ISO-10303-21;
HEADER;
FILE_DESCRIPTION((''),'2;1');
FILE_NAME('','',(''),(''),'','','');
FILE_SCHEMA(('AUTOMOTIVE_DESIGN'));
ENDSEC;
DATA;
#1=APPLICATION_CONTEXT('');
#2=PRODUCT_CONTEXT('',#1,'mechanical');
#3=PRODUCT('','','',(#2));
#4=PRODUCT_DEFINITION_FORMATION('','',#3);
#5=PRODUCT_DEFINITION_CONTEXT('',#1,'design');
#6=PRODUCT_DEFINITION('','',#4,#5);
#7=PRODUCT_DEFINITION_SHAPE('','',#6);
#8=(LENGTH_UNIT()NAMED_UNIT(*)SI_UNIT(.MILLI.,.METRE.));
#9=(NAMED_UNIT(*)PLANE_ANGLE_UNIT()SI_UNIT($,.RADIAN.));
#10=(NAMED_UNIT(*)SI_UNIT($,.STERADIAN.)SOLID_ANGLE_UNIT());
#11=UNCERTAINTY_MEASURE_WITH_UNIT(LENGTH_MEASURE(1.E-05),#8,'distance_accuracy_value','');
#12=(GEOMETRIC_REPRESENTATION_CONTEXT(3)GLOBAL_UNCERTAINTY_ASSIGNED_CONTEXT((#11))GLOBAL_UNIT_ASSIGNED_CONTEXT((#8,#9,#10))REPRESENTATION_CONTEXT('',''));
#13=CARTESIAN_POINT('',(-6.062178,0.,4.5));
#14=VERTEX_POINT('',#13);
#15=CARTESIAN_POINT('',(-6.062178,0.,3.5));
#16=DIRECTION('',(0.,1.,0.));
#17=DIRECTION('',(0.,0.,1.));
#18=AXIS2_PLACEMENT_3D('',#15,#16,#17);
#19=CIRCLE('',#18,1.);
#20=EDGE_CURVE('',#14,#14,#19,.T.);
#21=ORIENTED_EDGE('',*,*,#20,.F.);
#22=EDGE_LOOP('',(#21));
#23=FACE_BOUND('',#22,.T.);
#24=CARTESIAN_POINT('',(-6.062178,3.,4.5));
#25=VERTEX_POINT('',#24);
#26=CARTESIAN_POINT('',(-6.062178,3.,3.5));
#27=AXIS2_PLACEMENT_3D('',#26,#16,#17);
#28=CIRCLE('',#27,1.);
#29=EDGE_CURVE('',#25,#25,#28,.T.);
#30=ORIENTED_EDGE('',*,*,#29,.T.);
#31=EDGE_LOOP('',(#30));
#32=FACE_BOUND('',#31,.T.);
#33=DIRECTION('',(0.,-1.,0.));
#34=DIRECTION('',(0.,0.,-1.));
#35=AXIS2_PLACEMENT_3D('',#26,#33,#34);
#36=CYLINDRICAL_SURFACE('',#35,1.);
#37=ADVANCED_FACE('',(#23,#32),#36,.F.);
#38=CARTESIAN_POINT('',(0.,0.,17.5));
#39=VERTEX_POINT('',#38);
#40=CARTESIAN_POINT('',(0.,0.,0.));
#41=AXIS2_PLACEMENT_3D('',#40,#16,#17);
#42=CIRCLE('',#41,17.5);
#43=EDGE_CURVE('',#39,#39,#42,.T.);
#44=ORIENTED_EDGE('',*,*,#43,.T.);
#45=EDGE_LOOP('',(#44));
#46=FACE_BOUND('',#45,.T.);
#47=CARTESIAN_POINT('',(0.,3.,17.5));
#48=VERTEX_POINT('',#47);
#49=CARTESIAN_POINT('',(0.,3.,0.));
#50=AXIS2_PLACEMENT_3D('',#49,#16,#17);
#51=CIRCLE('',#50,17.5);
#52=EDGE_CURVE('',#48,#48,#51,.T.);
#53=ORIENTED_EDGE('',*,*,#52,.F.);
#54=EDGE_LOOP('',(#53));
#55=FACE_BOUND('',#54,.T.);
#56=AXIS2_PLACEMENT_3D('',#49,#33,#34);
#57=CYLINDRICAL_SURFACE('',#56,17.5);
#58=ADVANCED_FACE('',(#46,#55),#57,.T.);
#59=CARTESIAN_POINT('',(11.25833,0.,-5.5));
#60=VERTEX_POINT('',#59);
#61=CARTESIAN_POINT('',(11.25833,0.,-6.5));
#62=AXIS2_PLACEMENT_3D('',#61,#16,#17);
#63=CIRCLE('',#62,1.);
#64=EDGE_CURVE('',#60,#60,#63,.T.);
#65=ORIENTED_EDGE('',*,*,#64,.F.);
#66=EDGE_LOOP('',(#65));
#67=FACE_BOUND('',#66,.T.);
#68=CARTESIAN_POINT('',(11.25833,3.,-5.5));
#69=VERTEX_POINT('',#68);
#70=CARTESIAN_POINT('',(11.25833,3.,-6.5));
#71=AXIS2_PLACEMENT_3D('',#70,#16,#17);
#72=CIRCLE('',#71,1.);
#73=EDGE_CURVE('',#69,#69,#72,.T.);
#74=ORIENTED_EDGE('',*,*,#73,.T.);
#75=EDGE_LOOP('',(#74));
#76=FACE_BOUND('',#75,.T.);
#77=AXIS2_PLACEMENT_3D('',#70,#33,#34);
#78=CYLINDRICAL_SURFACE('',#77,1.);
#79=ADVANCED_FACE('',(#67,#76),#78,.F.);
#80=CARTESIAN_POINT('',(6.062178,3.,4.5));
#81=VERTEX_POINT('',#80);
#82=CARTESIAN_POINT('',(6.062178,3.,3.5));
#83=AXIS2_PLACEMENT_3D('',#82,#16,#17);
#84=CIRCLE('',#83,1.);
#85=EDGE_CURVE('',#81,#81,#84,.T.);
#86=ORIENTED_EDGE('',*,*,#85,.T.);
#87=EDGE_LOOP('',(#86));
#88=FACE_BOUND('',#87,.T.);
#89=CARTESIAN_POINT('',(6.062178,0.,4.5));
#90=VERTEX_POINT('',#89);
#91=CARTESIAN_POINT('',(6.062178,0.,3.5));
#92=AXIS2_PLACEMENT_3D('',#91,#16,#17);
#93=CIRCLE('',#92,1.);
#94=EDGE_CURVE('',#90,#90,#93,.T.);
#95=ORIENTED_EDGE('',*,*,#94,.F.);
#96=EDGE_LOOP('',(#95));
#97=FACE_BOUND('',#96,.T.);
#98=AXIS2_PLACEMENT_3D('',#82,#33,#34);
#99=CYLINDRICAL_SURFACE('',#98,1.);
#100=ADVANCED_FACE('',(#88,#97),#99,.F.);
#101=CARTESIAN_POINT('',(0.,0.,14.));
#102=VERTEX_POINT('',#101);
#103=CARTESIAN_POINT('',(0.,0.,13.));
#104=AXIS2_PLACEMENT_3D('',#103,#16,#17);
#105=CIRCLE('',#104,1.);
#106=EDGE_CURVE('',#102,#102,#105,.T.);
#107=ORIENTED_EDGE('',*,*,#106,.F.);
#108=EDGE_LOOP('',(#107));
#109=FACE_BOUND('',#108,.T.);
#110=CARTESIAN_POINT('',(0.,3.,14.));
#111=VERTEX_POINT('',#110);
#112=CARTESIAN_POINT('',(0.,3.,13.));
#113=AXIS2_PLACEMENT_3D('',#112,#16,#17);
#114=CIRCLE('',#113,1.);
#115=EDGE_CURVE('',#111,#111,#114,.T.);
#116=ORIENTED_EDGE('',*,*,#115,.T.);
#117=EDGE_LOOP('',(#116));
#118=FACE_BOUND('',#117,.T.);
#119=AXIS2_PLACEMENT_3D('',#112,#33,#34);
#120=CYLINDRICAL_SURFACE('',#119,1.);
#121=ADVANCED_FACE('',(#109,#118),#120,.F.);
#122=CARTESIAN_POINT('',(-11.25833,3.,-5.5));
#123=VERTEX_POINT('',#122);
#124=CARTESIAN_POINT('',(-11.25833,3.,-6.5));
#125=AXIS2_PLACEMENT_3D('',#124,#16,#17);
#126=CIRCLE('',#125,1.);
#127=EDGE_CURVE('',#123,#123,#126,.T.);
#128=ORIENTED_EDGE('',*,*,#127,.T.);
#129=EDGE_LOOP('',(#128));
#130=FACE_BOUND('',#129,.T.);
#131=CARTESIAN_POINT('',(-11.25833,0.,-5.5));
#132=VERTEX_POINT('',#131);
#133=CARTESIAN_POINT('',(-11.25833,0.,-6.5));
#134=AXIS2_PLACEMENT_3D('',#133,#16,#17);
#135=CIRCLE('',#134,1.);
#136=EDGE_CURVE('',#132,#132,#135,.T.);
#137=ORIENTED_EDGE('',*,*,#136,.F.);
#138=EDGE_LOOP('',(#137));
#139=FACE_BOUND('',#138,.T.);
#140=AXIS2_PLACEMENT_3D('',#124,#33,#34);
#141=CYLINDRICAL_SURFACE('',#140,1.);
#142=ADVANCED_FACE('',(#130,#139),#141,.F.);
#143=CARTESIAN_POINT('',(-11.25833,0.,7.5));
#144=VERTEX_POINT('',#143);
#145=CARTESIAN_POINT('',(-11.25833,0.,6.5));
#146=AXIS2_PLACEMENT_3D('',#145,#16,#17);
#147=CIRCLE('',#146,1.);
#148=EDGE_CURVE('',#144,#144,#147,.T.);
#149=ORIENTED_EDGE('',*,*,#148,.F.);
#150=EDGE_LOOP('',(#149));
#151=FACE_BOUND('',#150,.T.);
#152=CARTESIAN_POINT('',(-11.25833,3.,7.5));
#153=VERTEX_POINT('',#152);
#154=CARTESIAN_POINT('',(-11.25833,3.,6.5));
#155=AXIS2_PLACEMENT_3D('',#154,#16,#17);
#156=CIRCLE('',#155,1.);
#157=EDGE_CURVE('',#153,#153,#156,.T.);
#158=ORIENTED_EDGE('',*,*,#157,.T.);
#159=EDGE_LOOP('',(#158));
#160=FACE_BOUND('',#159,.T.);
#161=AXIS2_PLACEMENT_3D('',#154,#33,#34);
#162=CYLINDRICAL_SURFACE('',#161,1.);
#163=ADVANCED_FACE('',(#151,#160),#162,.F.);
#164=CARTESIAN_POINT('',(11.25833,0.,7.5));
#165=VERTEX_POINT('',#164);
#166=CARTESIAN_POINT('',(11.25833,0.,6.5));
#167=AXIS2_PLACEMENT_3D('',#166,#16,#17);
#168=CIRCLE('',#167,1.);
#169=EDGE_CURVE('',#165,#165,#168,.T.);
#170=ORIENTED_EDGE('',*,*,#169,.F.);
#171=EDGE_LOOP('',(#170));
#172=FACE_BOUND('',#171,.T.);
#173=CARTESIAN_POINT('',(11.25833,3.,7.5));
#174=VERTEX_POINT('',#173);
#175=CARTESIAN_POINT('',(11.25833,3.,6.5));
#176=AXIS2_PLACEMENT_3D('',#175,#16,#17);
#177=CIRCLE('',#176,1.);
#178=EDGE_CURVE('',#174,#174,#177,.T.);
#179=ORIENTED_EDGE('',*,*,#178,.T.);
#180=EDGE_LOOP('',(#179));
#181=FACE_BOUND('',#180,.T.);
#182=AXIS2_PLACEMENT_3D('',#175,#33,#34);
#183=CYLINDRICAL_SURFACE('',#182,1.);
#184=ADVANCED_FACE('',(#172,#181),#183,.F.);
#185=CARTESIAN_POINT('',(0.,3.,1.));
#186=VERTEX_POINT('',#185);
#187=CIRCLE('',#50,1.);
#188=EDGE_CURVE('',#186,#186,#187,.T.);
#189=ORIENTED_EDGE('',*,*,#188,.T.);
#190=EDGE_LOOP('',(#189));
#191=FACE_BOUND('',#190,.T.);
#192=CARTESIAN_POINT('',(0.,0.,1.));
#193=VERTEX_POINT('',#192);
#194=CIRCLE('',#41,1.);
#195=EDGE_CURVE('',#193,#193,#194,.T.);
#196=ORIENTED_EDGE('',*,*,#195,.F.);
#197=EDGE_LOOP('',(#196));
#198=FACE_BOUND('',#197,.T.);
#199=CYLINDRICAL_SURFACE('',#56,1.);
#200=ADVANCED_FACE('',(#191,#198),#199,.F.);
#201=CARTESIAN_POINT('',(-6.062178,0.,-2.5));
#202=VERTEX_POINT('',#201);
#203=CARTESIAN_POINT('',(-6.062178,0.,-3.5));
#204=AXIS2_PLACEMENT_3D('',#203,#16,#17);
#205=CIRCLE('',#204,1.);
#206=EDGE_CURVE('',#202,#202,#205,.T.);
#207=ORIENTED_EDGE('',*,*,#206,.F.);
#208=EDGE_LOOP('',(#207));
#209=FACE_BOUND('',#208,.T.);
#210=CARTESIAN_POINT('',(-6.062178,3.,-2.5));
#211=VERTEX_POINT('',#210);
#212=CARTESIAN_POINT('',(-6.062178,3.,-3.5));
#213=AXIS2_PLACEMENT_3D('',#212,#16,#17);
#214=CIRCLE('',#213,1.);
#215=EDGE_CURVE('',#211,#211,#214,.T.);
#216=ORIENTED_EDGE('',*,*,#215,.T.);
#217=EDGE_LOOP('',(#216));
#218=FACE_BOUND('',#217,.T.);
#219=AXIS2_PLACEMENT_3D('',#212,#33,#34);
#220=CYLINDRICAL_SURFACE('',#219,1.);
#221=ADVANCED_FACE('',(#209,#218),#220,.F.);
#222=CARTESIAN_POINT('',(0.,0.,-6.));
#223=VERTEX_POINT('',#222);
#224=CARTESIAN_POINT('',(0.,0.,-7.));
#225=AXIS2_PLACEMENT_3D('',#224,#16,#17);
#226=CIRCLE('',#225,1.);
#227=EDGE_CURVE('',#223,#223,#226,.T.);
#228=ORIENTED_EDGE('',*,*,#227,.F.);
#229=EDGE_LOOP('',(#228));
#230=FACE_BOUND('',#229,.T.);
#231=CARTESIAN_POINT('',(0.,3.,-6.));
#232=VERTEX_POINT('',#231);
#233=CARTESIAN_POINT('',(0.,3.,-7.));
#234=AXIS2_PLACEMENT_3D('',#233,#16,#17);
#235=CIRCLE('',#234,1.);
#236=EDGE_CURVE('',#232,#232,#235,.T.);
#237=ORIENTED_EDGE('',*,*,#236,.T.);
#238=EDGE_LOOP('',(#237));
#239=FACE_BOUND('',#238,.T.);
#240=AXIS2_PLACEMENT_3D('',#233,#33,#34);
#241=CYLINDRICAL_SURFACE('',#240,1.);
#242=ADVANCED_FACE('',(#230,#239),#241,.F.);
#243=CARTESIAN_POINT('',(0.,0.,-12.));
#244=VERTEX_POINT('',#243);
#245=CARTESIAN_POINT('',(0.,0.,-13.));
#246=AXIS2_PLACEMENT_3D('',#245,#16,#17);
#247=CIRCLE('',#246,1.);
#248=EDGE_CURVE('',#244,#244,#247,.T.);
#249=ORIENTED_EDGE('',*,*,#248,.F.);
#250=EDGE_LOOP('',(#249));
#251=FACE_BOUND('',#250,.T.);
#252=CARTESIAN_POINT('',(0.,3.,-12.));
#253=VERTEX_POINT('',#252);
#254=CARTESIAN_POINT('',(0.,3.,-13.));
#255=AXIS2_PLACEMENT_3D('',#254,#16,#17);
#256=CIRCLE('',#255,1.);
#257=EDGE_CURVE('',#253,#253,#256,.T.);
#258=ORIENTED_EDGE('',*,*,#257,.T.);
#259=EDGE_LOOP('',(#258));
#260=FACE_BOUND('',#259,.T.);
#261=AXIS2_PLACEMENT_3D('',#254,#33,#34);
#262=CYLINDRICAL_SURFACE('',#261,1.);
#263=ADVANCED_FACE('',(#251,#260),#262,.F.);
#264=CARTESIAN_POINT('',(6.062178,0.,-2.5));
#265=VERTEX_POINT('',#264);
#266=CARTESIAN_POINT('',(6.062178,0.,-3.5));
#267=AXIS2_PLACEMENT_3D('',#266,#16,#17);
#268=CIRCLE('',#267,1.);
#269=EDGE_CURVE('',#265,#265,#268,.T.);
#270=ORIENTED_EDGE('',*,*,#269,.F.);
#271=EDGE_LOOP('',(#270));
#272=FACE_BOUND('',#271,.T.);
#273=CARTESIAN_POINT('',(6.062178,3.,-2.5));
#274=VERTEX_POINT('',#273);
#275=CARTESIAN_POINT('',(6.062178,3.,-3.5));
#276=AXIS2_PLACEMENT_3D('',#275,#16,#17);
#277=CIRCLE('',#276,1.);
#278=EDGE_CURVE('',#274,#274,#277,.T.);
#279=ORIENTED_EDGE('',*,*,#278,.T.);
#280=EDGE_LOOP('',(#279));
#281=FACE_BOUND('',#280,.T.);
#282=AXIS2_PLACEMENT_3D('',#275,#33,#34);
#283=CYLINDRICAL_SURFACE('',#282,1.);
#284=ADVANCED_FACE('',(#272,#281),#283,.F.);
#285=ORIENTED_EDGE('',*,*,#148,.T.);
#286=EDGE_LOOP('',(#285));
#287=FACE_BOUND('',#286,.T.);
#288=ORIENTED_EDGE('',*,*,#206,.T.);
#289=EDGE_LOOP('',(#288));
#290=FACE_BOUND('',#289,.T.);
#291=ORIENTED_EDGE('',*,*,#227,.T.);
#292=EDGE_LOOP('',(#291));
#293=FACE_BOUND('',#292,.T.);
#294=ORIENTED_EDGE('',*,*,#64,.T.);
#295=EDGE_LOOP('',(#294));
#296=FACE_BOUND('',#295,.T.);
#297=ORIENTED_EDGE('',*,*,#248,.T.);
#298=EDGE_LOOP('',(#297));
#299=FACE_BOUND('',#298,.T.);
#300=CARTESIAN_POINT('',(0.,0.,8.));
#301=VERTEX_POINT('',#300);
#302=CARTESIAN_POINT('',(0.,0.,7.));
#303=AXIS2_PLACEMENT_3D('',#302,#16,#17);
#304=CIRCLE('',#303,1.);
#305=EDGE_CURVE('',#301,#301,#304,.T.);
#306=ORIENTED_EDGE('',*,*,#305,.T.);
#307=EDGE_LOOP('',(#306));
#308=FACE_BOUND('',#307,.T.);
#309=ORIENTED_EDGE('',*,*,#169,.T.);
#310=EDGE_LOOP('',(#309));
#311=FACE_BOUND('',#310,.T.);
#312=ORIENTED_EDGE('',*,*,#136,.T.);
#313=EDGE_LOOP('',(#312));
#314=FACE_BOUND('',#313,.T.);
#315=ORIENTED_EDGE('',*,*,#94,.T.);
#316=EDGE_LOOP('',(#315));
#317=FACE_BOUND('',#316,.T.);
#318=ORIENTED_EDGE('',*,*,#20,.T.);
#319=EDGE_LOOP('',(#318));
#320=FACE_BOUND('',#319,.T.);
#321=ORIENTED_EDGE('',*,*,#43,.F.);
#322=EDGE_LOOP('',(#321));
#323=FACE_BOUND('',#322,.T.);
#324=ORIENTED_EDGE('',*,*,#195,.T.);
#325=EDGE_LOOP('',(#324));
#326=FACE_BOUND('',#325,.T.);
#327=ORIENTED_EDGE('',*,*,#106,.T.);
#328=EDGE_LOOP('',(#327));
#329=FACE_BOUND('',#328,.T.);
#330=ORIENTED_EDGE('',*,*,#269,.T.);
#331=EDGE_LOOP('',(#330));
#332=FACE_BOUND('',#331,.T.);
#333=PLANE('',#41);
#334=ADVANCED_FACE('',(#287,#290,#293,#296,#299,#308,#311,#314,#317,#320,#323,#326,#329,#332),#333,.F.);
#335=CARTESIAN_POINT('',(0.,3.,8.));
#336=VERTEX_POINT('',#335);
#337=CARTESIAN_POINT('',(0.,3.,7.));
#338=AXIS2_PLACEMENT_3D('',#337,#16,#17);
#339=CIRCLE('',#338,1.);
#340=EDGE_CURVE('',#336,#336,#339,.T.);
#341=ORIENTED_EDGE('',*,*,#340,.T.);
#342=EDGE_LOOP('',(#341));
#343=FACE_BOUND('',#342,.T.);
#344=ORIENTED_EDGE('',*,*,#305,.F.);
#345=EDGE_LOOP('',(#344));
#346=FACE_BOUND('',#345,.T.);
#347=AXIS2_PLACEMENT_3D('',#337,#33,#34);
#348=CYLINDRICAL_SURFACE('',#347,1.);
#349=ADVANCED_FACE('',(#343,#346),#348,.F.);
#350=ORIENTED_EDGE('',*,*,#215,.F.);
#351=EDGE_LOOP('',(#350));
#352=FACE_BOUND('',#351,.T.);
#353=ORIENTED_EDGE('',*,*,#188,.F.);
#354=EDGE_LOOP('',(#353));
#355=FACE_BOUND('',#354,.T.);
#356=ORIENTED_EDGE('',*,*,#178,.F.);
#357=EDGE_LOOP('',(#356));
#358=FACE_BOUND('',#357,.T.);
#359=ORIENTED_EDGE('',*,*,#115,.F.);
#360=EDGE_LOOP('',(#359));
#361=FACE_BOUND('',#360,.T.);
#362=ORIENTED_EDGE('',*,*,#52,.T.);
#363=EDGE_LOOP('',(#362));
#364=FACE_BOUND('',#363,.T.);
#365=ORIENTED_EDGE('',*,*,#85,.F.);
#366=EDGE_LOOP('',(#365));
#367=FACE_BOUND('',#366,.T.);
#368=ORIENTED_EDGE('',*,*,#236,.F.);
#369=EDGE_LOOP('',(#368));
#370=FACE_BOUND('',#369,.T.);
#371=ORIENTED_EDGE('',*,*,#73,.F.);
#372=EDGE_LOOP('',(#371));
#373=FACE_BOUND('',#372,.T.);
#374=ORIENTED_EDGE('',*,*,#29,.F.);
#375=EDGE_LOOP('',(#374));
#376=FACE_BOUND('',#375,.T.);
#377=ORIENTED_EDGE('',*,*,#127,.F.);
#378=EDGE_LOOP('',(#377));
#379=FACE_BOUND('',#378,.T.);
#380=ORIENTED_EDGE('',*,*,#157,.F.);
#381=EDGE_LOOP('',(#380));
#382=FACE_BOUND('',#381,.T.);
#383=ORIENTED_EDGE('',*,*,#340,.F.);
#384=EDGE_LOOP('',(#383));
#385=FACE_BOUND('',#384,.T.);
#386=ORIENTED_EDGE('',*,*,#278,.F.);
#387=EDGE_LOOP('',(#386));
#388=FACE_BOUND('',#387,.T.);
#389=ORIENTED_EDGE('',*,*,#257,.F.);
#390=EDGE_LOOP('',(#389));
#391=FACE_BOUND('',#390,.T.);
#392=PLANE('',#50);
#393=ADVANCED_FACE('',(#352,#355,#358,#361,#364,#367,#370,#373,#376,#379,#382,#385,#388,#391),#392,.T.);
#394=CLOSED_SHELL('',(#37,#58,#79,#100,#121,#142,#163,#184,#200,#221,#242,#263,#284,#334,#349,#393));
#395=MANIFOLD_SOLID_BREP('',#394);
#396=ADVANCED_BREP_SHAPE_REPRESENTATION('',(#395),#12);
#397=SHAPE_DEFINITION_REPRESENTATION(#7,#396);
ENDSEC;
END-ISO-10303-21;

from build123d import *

# Parameters (mm, degrees)
SKETCH2_R           = 17.5
SKETCH2_R_2         = 1
BOSS_EXTRUDE1_DEPTH = 3


with BuildPart() as part:
    # Sketch2 → Boss-Extrude1 (new body)
    with BuildSketch(Plane(origin=(0, 0, 0), x_dir=(1, 0, 0), z_dir=(0, 1, 0))):
        with Locations(Location((0, 0, 0), (0, 0, 270))):
            Circle(SKETCH2_R)
        with Locations(Location((0, 13, 0), (0, 0, 270))):
            Circle(SKETCH2_R_2, mode=Mode.SUBTRACT)
        with Locations(Location((0, 7, 0), (0, 0, 270))):
            Circle(SKETCH2_R_2, mode=Mode.SUBTRACT)
        with Locations(Location((11.258330249, 6.5, 0), (0, 0, 270))):
            Circle(SKETCH2_R_2, mode=Mode.SUBTRACT)
        with Locations(Location((11.258330249, -6.5, 0), (0, 0, 270))):
            Circle(SKETCH2_R_2, mode=Mode.SUBTRACT)
        with Locations(Location((0, -13, 0), (0, 0, 270))):
            Circle(SKETCH2_R_2, mode=Mode.SUBTRACT)
        with Locations(Location((-11.258330249, -6.5, 0), (0, 0, 270))):
            Circle(SKETCH2_R_2, mode=Mode.SUBTRACT)
        with Locations(Location((-11.258330249, 6.5, 0), (0, 0, 270))):
            Circle(SKETCH2_R_2, mode=Mode.SUBTRACT)
        with Locations(Location((0, 0, 0), (0, 0, 270))):
            Circle(SKETCH2_R_2, mode=Mode.SUBTRACT)
        with Locations(Location((6.062177826, 3.5, 0), (0, 0, 270))):
            Circle(SKETCH2_R_2, mode=Mode.SUBTRACT)
        with Locations(Location((6.062177826, -3.5, 0), (0, 0, 270))):
            Circle(SKETCH2_R_2, mode=Mode.SUBTRACT)
        with Locations(Location((0, -7, 0), (0, 0, 270))):
            Circle(SKETCH2_R_2, mode=Mode.SUBTRACT)
        with Locations(Location((-6.062177826, -3.5, 0), (0, 0, 270))):
            Circle(SKETCH2_R_2, mode=Mode.SUBTRACT)
        with Locations(Location((-6.062177826, 3.5, 0), (0, 0, 270))):
            Circle(SKETCH2_R_2, mode=Mode.SUBTRACT)
    extrude(amount=BOSS_EXTRUDE1_DEPTH)


solid = part.part
